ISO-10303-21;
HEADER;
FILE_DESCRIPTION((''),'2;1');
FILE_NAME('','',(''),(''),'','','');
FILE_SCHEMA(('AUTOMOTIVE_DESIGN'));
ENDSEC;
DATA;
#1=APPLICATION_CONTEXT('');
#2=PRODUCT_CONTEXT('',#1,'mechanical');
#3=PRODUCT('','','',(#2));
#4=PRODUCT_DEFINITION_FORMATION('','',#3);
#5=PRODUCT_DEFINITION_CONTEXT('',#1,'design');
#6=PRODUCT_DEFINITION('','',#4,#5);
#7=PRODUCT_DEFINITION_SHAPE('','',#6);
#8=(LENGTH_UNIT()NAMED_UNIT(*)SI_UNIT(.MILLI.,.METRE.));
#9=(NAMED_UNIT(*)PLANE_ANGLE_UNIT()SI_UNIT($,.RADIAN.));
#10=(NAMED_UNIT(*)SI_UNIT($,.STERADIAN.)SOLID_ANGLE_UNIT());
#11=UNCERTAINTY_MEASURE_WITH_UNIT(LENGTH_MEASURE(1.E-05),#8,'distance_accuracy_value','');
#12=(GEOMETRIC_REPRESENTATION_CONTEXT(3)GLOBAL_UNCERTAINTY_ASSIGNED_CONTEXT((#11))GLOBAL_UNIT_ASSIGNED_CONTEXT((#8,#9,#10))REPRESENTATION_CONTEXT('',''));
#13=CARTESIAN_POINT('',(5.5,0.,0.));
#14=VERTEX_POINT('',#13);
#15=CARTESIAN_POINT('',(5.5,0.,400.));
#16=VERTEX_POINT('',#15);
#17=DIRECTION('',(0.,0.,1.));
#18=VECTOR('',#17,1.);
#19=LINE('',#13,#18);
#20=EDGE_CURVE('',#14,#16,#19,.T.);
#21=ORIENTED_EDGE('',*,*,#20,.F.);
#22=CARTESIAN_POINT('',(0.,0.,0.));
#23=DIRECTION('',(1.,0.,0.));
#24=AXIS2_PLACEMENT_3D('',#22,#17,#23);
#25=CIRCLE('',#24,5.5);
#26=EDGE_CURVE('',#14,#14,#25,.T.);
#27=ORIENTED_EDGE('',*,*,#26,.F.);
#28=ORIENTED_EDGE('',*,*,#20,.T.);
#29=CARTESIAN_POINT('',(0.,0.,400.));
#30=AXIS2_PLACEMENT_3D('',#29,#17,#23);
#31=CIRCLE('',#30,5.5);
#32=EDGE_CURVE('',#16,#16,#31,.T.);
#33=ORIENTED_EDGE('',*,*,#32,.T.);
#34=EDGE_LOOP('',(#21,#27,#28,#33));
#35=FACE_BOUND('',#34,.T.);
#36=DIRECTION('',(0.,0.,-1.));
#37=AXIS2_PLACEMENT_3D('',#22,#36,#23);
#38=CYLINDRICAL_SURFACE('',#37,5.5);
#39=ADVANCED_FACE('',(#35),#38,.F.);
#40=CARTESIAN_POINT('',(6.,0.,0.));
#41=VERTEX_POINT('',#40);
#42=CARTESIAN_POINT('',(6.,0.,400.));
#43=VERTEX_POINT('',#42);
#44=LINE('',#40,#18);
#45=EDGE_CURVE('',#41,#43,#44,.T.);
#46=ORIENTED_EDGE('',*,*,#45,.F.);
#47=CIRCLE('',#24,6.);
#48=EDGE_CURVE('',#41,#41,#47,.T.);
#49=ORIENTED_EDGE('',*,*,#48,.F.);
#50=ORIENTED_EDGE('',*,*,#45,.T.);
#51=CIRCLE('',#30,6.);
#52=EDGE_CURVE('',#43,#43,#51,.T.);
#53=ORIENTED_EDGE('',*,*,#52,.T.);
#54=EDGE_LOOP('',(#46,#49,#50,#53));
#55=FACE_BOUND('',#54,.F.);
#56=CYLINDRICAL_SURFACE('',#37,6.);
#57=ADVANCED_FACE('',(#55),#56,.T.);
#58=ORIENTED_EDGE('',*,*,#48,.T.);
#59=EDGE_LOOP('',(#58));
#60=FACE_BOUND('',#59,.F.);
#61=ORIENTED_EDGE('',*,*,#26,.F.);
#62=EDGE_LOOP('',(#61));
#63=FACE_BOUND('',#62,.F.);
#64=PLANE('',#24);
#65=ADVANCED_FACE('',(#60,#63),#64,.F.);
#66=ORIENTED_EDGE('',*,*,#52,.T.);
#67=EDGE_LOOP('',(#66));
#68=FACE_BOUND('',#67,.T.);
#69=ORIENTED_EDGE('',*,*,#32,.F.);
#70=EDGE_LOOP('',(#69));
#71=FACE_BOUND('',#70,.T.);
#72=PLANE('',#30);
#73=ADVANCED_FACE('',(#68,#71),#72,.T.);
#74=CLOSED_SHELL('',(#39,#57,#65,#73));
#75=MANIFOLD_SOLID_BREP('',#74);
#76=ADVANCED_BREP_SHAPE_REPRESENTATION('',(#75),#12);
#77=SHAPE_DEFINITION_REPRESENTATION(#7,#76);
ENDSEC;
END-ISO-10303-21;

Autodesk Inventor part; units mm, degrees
ref_plane "YZ Plane" through (0, 0, 0) normal (1, 0, 0) x (0, 1, 0)
ref_plane "XZ Plane" through (0, 0, 0) normal (0, 1, 0) x (-1, 0, 0)
ref_plane "XY Plane" through (0, 0, 0) normal (0, 0, 1) x (1, 0, 0)
sketch "Sketch1" plane through (0, 0, 0) normal (0, 0, 1) x (1, 0, 0)
  circle A0 centre (0, 0) radius 6
  circle A1 centre (0, 0) radius 5.5
  dimension "d0" = 12
  dimension "d1" = 11
extrude "Extrusion1" add sketch "Sketch1" along normal blind 400
properties part number "Tube_12x1x400_CFRP" material "CFRP"
